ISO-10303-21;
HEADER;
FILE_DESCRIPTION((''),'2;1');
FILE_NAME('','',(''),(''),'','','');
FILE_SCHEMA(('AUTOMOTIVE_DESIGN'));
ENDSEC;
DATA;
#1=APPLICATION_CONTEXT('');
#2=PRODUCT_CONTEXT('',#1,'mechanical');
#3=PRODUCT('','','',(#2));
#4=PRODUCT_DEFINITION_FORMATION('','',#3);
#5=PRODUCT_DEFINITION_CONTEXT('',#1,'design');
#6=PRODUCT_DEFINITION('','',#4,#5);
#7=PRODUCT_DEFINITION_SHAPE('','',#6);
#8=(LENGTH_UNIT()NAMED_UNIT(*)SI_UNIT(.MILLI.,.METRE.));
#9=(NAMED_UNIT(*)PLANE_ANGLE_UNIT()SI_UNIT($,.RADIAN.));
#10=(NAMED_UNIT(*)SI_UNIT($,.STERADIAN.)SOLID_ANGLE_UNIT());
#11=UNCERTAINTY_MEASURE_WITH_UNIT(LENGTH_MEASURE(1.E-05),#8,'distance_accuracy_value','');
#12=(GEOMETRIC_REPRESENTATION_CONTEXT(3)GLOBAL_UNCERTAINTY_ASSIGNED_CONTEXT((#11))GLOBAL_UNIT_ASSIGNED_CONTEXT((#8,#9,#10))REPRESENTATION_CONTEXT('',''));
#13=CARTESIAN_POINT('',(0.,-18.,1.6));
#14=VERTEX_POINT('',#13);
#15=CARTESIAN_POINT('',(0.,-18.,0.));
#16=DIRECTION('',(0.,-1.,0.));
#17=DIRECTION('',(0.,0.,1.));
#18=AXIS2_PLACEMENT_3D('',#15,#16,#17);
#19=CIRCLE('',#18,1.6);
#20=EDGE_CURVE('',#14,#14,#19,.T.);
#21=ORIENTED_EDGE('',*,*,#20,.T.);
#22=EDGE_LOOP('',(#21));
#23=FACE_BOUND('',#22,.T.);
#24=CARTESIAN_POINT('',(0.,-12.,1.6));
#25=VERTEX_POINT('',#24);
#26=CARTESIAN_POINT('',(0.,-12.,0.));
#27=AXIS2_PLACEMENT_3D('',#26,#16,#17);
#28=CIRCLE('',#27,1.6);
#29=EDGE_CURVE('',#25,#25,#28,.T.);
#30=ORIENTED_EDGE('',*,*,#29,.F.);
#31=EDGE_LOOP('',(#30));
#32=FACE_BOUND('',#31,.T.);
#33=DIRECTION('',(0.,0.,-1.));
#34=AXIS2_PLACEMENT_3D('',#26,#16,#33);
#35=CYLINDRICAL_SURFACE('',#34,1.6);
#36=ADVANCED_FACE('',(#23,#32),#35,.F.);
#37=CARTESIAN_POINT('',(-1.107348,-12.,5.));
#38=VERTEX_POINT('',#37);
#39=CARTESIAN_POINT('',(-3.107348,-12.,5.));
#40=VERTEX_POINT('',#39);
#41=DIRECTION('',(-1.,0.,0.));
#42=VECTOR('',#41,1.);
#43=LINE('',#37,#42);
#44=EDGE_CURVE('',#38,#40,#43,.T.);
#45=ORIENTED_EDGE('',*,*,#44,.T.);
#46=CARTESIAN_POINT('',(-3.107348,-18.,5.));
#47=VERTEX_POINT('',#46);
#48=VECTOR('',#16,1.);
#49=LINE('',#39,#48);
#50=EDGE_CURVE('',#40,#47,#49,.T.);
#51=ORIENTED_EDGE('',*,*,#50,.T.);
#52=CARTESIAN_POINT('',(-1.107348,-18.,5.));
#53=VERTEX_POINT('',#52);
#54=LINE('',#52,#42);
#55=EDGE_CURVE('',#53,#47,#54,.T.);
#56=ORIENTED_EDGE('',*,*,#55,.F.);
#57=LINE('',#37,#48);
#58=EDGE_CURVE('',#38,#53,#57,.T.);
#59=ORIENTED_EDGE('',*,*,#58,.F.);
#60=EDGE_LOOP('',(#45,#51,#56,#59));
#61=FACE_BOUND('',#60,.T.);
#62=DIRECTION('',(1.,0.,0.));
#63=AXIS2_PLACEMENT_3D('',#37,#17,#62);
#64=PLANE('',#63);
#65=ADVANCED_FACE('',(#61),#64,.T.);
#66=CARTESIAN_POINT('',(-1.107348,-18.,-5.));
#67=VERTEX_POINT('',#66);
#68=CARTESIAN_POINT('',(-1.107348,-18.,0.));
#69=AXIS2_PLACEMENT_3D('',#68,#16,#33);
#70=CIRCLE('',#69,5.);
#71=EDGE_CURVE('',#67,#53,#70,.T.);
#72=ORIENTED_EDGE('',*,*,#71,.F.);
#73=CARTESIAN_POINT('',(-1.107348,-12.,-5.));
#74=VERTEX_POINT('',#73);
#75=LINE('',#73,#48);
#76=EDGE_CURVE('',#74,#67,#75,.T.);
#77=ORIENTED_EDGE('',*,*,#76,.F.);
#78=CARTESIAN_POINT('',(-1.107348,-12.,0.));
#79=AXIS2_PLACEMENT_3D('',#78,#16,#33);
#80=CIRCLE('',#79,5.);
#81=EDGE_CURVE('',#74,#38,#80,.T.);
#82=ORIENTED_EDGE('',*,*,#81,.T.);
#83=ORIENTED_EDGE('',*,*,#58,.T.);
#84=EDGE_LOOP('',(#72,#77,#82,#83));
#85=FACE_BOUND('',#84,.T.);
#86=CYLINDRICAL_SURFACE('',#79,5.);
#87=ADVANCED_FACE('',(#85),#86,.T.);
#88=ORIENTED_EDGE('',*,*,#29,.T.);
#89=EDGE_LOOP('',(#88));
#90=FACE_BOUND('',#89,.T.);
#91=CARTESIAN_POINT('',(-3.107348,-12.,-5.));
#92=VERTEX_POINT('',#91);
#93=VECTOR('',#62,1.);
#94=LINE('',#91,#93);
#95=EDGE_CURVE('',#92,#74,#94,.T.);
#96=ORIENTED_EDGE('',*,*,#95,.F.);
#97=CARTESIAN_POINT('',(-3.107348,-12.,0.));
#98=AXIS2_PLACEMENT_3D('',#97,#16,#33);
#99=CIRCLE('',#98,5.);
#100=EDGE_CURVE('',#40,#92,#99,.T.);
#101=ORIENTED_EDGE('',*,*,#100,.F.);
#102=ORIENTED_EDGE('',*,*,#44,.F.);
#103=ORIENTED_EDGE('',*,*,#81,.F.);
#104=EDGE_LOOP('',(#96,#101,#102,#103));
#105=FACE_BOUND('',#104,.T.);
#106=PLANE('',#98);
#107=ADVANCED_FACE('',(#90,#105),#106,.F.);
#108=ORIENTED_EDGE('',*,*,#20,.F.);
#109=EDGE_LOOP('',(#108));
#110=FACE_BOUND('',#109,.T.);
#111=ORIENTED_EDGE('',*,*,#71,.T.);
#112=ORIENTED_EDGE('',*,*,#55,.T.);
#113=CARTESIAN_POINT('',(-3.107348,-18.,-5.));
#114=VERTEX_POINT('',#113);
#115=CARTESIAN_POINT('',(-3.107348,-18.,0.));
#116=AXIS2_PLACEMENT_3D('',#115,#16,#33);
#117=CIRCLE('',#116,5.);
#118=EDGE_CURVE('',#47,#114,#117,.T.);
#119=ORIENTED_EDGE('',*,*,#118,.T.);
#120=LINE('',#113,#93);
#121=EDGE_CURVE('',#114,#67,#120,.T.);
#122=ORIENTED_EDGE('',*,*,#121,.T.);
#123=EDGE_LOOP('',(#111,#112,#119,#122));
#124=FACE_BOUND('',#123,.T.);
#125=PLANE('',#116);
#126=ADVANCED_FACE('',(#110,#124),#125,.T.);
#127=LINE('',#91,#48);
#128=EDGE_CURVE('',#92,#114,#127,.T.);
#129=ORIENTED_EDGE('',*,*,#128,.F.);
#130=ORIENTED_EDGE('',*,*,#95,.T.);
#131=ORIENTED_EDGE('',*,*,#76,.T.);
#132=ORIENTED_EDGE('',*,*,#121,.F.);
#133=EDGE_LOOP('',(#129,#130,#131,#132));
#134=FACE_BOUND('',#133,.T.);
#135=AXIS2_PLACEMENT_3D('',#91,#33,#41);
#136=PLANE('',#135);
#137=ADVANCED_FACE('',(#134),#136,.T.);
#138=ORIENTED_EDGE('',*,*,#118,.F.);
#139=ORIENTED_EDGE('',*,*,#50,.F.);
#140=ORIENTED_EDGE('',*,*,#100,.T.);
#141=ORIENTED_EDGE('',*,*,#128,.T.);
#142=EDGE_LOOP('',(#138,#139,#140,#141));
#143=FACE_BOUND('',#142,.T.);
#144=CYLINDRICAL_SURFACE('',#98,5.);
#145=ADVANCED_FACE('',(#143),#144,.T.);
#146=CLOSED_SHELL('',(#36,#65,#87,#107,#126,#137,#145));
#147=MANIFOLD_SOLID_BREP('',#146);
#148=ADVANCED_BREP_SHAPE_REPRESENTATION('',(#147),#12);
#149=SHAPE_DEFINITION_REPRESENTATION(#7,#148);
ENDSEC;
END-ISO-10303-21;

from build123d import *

# Parameters (mm, degrees)
ESBO_O1_R                = 1.6
RESSALTO_EXTRUS_O1_DEPTH = 6


with BuildPart() as part:
    # Esboço1 → Ressalto-extrusão1 (new body)
    with BuildSketch(Plane.XZ.offset(18)):
        with BuildLine():
            Line((-3.107348146, -5), (-1.107348146, -5))
            ThreePointArc((-1.107348146, -5), (3.892651854, 0), (-1.107348146, 5))
            Line((-1.107348146, 5), (-3.107348146, 5))
            ThreePointArc((-3.107348146, 5), (-8.107348146, 0), (-3.107348146, -5))
        make_face()
        Circle(ESBO_O1_R, mode=Mode.SUBTRACT)
    extrude(amount=-RESSALTO_EXTRUS_O1_DEPTH)


solid = part.part
